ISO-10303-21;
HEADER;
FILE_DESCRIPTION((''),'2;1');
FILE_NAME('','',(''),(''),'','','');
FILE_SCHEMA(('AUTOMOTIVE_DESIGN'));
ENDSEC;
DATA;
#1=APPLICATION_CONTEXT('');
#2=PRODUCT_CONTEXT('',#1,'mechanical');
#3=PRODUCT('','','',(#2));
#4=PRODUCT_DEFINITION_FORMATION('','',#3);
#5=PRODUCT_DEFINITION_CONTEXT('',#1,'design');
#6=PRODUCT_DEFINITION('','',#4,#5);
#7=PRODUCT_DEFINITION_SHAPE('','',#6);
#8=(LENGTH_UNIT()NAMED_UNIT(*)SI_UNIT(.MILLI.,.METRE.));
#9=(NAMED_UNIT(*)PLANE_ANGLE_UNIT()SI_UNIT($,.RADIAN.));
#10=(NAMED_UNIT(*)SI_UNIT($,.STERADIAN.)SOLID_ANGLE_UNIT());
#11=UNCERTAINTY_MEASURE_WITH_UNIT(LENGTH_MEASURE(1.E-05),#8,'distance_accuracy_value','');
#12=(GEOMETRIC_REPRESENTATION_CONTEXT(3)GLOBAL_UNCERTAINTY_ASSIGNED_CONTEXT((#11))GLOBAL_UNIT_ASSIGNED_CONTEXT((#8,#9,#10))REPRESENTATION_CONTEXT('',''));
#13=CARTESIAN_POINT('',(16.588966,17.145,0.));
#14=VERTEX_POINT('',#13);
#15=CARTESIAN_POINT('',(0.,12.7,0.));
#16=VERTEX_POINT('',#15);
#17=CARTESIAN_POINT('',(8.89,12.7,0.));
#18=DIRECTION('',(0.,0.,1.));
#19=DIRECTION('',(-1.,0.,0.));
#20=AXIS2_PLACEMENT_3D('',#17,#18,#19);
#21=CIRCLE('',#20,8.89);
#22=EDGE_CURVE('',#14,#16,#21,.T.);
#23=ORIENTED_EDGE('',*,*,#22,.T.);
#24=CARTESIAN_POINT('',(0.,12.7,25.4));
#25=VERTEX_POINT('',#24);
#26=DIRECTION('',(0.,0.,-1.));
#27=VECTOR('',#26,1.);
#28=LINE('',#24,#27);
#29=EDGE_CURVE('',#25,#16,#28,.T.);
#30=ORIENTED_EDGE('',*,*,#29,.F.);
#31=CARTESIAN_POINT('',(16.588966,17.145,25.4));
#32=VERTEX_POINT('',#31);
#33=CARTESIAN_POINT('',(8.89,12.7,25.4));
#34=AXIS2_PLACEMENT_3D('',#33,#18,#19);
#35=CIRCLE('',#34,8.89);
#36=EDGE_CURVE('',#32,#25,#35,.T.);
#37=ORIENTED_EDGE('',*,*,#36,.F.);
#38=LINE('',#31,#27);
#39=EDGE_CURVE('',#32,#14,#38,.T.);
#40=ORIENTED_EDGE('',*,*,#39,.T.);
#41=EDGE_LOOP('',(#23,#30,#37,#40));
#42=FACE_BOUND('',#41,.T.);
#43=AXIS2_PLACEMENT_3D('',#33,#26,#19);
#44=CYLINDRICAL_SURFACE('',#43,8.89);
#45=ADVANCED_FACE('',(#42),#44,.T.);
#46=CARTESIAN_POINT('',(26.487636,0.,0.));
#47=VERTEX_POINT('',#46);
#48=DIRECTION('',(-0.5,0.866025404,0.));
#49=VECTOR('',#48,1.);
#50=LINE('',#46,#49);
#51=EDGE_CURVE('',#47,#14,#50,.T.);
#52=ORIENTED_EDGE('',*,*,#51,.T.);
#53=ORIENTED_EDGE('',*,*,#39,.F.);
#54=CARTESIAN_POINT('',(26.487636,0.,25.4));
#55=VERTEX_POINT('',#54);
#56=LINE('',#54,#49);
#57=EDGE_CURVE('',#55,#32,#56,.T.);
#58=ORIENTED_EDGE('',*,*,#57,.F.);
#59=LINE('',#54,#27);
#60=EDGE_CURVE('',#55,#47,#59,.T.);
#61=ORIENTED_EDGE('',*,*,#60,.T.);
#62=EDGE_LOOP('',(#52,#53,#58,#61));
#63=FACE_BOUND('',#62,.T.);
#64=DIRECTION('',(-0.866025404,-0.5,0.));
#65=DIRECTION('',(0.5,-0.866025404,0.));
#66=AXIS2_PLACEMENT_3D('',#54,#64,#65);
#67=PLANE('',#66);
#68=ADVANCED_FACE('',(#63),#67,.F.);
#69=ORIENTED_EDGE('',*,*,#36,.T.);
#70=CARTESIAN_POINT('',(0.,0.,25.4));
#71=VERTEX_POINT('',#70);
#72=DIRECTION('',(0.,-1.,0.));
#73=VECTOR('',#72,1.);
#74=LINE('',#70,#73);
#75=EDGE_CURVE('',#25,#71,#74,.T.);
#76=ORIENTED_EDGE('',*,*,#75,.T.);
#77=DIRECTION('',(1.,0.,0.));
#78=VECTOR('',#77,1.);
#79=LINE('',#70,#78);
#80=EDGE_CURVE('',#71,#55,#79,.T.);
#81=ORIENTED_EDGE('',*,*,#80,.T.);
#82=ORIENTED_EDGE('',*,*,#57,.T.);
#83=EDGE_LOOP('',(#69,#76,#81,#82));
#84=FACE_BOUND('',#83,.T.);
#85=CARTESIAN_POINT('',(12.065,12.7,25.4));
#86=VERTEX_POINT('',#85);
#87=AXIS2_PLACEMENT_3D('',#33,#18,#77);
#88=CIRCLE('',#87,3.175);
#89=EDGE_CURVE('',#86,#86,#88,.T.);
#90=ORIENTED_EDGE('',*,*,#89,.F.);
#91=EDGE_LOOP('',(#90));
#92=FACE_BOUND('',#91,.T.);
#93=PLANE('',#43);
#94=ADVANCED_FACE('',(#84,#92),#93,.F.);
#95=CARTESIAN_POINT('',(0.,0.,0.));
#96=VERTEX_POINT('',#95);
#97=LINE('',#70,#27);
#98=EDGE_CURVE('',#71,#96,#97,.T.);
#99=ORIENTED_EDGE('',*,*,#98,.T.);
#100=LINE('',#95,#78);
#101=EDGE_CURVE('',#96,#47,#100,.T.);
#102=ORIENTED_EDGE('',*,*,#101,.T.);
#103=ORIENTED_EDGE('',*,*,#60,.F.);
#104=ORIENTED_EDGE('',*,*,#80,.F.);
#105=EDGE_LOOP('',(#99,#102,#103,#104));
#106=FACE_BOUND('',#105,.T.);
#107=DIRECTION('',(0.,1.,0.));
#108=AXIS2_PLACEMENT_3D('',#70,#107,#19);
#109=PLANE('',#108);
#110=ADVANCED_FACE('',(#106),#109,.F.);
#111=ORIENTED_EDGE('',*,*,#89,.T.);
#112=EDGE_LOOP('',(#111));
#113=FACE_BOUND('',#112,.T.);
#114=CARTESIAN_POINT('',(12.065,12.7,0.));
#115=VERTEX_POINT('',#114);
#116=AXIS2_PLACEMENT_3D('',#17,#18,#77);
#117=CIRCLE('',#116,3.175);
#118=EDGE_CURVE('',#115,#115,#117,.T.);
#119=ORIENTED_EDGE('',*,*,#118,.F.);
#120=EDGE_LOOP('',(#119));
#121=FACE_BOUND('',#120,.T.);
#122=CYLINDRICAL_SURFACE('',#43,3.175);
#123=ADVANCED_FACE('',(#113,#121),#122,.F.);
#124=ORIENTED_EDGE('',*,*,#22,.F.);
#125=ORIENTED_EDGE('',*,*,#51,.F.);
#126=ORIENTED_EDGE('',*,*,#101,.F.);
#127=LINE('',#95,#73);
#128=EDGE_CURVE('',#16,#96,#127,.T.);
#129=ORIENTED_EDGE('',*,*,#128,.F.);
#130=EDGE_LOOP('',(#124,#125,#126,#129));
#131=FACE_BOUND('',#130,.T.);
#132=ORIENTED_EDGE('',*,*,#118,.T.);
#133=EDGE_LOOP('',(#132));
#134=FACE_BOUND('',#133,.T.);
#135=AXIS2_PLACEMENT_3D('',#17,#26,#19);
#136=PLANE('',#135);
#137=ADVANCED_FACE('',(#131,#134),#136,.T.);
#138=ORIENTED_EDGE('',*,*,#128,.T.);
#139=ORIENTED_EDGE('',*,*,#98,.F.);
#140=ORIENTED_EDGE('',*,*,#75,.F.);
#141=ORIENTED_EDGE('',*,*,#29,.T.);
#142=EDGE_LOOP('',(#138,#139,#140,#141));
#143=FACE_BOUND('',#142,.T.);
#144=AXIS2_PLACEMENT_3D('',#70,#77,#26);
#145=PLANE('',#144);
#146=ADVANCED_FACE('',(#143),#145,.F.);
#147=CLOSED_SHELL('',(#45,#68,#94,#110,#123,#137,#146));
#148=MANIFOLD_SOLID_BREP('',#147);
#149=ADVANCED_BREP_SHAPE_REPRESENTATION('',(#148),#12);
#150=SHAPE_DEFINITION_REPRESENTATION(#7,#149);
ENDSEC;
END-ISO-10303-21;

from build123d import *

# Parameters (mm, degrees)
SKETCH1_R           = 3.175
BOSS_EXTRUDE1_DEPTH = 25.4


with BuildPart() as part:
    # Sketch1 → Boss-Extrude1 (new body)
    with BuildSketch(Plane.XY):
        with BuildLine():
            Line((0, 0), (26.487636205, 0))
            Line((26.487636205, 0), (16.58896584, 17.145))
            ThreePointArc((16.58896584, 17.145), (6.589098689, 21.287080596), (0, 12.7))
            Line((0, 12.7), (0, 0))
        make_face()
        with Locations((8.89, 12.7)):
            Circle(SKETCH1_R, mode=Mode.SUBTRACT)
    extrude(amount=BOSS_EXTRUDE1_DEPTH)


solid = part.part
